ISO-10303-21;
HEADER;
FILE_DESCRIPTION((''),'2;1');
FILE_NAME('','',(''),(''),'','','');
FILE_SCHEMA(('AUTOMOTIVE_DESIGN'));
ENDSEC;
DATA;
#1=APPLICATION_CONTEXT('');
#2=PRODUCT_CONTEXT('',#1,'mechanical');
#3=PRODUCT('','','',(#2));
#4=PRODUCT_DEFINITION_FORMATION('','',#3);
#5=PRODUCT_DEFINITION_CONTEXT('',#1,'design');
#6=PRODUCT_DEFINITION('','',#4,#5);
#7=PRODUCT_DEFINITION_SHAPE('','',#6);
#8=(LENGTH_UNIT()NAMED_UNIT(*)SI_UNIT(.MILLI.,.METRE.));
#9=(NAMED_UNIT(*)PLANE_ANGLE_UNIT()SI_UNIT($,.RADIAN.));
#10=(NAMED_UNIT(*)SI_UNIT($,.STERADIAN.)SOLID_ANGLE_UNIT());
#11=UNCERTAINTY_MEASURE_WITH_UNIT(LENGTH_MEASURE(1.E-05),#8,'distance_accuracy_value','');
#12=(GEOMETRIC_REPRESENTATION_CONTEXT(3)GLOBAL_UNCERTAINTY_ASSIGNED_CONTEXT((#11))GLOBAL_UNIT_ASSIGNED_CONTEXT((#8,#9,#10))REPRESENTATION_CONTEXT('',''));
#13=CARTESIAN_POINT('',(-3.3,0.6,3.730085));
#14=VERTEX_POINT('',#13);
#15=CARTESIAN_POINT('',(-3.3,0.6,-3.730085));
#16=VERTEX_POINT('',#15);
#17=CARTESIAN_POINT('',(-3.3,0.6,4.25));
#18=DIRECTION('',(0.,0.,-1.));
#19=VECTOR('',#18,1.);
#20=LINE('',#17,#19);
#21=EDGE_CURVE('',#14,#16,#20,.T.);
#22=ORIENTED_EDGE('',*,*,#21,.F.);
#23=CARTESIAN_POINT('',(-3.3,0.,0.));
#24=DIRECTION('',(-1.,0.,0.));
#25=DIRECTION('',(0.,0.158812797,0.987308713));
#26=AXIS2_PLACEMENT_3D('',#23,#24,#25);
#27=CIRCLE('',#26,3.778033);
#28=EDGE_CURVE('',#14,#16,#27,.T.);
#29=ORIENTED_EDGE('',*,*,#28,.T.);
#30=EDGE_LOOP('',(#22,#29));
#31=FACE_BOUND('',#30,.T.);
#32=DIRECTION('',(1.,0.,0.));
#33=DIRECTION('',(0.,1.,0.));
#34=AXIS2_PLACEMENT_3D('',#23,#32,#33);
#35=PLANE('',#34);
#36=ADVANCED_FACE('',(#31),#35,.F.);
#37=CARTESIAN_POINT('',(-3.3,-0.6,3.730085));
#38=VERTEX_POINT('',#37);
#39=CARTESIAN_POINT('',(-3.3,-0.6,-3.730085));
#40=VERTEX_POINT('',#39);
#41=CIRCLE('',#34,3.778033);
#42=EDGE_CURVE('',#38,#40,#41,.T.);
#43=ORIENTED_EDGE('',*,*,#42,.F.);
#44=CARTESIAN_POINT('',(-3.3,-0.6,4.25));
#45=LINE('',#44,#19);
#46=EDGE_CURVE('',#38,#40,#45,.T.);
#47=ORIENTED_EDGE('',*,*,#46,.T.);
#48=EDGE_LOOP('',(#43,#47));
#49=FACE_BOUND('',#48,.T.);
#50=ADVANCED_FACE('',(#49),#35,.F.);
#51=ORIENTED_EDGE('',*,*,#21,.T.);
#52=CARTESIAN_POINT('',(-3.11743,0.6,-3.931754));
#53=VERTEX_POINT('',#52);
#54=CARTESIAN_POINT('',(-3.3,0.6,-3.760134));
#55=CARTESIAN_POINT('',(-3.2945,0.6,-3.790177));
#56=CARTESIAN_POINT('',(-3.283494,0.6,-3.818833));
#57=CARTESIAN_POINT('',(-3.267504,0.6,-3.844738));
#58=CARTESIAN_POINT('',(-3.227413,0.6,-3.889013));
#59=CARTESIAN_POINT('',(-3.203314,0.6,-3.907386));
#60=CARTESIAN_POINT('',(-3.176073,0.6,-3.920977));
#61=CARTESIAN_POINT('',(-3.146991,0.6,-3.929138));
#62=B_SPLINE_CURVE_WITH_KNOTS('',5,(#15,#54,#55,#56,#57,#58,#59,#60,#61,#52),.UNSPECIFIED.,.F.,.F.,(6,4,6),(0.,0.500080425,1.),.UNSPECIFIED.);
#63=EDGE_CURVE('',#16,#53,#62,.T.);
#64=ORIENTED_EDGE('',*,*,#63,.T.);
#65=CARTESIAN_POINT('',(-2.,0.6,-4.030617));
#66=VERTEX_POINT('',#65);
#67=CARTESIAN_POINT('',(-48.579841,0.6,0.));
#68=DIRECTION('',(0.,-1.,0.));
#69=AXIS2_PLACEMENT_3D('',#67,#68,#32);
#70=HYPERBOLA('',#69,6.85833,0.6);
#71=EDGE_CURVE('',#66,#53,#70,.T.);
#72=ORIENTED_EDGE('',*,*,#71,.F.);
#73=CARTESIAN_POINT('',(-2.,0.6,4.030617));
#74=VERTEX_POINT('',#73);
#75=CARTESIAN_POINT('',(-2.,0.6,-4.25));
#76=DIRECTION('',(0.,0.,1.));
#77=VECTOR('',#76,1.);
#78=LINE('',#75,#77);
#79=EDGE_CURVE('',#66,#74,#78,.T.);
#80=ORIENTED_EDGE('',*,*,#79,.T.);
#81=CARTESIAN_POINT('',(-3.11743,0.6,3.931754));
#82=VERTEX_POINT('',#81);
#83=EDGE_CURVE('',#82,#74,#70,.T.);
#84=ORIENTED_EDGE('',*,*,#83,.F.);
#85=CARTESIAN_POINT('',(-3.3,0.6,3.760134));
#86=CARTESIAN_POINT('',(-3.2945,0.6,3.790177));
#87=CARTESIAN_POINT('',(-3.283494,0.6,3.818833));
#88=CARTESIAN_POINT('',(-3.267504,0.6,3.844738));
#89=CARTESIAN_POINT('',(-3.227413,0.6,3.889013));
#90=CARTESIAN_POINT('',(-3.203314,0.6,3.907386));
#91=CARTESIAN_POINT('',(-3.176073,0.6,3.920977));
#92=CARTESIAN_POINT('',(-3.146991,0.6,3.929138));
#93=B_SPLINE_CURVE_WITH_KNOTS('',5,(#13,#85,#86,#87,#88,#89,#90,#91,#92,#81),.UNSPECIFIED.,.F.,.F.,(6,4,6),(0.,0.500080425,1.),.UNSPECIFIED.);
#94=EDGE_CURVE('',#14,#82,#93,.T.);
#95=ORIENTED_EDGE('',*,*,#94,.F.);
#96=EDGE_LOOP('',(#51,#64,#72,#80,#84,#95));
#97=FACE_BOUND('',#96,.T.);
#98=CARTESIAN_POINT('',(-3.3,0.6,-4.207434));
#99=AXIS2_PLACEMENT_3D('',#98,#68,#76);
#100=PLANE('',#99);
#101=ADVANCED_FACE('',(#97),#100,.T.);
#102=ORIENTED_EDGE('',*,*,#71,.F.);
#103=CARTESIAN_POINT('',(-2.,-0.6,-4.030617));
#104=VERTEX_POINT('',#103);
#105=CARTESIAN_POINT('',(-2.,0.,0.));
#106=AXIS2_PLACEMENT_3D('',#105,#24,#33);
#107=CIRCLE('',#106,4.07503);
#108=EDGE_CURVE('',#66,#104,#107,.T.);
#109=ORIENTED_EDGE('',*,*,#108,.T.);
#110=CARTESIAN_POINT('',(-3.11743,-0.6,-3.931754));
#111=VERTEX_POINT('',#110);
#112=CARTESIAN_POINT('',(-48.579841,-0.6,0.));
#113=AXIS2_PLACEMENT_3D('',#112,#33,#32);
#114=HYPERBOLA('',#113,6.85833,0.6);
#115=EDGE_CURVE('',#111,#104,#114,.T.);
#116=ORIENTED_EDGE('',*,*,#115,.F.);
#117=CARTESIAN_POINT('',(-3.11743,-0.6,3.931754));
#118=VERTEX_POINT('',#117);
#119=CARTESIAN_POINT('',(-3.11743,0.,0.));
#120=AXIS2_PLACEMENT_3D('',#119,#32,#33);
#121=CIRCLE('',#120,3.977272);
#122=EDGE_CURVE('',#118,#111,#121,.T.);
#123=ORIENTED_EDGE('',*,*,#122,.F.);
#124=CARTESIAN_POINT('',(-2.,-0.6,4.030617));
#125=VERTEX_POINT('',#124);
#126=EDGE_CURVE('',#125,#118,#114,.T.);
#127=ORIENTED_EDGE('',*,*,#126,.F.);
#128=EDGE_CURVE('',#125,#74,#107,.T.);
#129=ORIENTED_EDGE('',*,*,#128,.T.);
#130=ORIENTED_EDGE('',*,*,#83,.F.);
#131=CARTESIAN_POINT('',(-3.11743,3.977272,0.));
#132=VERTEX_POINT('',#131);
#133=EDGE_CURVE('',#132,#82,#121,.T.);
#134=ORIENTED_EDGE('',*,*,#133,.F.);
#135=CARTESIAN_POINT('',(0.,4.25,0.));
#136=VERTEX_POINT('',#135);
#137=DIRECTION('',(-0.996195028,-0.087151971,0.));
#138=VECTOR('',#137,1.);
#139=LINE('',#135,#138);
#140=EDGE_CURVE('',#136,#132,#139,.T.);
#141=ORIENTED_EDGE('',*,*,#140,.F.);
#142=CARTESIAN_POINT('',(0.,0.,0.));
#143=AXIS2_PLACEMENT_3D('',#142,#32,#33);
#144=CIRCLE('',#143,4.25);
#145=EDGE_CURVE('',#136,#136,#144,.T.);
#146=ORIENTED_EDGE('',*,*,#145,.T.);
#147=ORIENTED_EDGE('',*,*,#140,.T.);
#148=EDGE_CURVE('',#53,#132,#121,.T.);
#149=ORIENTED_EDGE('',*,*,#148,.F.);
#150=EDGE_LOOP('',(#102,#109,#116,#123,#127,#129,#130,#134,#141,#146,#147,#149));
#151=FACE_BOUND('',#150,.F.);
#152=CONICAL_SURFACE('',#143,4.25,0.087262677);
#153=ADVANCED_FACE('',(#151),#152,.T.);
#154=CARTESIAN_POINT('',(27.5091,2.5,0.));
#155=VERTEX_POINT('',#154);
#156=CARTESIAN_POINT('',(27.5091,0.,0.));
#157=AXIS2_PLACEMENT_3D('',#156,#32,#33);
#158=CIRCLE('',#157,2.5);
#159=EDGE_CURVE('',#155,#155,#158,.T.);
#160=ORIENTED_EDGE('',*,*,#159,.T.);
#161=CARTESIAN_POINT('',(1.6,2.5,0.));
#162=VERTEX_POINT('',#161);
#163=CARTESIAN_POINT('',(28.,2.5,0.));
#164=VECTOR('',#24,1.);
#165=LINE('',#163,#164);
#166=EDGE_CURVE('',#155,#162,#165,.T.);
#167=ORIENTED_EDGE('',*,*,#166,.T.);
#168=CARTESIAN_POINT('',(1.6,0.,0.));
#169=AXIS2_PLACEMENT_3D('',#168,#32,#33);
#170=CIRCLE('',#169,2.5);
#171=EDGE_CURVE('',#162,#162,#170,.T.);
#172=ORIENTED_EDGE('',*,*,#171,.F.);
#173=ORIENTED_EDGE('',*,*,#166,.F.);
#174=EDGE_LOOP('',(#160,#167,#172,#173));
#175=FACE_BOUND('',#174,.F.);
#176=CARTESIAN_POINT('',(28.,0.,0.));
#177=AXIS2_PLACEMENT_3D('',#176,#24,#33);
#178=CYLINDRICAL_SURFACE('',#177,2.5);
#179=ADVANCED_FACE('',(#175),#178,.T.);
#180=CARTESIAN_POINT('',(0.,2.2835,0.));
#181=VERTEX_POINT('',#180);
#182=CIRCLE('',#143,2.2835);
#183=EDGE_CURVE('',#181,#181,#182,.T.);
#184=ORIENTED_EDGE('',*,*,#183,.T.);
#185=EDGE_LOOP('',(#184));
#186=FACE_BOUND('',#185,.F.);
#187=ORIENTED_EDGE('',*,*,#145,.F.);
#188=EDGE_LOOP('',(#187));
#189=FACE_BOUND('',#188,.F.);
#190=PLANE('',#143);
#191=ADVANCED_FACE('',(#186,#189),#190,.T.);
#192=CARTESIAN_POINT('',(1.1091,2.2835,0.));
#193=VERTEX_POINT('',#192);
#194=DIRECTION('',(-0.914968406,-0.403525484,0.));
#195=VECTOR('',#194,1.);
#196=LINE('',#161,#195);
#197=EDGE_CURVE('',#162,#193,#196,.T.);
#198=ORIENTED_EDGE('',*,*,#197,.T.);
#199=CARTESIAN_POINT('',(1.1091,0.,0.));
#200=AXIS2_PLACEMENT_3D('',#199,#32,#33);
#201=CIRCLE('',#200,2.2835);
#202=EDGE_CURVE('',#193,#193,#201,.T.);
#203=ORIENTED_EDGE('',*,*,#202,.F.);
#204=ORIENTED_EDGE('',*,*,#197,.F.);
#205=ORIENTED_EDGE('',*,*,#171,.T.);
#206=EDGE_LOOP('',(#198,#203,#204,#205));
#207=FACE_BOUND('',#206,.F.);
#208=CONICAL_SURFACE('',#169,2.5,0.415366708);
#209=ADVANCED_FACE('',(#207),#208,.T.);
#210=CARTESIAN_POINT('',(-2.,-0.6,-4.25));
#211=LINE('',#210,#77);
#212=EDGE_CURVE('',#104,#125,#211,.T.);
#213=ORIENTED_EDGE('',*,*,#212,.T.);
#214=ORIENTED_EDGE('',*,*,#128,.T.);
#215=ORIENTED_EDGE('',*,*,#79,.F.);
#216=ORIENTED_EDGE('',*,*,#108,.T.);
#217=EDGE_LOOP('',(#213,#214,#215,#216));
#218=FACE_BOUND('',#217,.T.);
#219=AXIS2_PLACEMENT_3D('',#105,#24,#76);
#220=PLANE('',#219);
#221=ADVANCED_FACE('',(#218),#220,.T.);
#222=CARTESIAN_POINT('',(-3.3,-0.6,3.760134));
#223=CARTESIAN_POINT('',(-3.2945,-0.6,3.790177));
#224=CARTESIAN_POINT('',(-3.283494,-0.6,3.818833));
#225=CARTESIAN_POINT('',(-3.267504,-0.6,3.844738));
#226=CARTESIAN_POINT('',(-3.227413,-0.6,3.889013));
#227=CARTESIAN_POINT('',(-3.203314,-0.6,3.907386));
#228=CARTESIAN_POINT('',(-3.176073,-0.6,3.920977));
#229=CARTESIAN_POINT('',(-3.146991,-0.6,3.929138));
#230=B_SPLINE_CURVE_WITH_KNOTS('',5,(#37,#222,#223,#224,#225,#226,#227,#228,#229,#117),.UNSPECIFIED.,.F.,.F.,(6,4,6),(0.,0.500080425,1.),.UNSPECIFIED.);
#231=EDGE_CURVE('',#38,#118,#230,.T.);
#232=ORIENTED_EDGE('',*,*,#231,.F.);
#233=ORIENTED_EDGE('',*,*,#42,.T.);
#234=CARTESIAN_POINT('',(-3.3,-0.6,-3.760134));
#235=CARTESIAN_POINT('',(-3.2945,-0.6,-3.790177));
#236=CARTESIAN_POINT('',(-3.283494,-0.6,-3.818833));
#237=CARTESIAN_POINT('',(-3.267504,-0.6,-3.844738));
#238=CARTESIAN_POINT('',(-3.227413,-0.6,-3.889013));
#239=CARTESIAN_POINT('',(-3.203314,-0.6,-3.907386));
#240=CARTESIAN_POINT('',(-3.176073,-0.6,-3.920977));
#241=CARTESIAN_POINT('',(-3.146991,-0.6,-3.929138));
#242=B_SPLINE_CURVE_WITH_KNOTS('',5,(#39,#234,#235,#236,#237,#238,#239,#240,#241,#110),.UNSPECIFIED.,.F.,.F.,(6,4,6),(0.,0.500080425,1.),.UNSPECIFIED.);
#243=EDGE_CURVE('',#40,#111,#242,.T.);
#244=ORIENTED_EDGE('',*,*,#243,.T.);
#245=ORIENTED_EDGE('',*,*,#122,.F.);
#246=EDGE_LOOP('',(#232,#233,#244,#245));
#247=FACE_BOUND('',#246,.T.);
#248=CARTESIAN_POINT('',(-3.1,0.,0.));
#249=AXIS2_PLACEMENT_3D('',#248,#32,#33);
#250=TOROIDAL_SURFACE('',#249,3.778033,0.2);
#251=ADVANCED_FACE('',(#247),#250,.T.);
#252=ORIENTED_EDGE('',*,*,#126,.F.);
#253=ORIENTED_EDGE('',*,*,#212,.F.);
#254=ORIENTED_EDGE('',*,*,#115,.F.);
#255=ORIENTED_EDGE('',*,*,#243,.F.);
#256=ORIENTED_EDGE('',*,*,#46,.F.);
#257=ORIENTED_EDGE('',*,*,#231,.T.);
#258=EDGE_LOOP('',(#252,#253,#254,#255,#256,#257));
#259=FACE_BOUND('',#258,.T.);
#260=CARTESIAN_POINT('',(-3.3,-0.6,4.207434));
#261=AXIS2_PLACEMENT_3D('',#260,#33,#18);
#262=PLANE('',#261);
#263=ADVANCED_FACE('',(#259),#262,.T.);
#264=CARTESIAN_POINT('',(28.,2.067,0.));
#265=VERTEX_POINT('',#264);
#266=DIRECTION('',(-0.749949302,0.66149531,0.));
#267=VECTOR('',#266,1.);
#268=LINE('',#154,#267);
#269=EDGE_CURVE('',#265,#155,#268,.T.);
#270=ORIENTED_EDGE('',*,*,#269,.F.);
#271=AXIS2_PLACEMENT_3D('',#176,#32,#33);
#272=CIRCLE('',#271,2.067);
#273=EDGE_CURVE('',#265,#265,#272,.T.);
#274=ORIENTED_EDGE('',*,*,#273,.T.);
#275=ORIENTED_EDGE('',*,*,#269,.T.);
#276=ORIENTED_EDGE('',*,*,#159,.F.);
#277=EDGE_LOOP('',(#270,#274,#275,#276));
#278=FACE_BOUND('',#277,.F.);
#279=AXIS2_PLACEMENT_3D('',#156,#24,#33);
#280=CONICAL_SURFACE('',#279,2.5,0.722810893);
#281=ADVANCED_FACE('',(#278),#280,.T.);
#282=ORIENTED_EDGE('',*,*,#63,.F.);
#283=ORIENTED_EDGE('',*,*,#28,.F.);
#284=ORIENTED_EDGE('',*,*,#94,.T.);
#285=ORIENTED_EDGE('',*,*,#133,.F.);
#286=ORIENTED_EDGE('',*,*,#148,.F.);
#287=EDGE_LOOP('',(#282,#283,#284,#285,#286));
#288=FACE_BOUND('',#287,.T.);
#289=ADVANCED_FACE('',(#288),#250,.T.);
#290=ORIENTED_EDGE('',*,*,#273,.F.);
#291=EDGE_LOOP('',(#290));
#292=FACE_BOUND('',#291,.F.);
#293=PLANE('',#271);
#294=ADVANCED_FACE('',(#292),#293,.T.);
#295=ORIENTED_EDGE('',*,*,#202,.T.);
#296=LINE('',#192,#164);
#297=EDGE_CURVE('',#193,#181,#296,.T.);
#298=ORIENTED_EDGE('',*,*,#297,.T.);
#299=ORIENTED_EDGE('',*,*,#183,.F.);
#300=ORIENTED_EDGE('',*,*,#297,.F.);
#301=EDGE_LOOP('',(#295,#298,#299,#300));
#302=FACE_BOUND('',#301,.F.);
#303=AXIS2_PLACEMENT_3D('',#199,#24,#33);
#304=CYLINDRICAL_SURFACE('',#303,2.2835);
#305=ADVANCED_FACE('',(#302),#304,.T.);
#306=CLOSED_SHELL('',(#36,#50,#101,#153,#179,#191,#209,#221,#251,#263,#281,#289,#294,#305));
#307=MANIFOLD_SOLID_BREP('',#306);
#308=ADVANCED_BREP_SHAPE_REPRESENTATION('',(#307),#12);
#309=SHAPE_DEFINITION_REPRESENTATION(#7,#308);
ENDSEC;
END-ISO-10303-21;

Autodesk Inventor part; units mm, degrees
ref_plane "YZ Plane" through (0, 0, 0) normal (1, 0, 0) x (0, 1, 0)
ref_plane "XZ Plane" through (0, 0, 0) normal (0, 1, 0) x (-1, 0, 0)
sketch "Sketch1" plane through (0, 0, 0) normal (0, 0, 1) x (1, 0, 0)
  line L0 (-3.3, 0) -> (28, 0)
  line L1 (28, 0) -> (28, 2.5)
  line L2 (28, 2.5) -> (1.6, 2.5)
  line L3 (1.6, 2.5) -> (1.1091, 2.2835)
  line L4 (1.1091, 2.2835) -> (0, 2.2835)
  line L5 (0, 2.2835) -> (0, 4.25)
  line L6 (-9.56, 0) -> (34.26, 0) projected
  line L7 (0, -0.85) -> (0, 5.1) projected
  line L8 (-3.3, 0) -> (-3.3, 3.9613)
  line L9 (0, 4.25) -> (-3.3, 3.9613)
  line L10 (1.6, 2.5) -> (0, 2.5) construction
  dimension "d0" = 28
  dimension "d1" = 26.4
  dimension "d2" = 0.4909
  dimension "d3" = 3.3
  dimension "d4" = 5
  dimension "d5" = 4.567
  dimension "d9" = 8.5
  dimension "d10" = 5
revolve "Body" add sketch "Sketch1" angle 360 about axis through (-3.3, 0, 0) along (1, 0, 0)
sketch "Sketch2" plane through (-3.3, 0, 0) normal (-1, 0, 0) x (0, 0, 1)
  circle A0 centre (0, 0) radius 4.25 projected
  line L0 (0, 0) -> (0, 3.9613) projected
  line L1 (-4.25, 0.6) -> (4.25, 0.6)
  line L2 (4.25, 0.6) -> (4.25, -0.6)
  line L3 (4.25, -0.6) -> (-4.25, -0.6)
  line L4 (-4.25, -0.6) -> (-4.25, 0.6)
  line L5 (-4.25, 0) -> (4.25, 0) construction
  line L6 (0, 0.6) -> (0, -0.6) construction
  dimension "d11" = 1.2
  dimension "d12" = 8.5
fillet "Fillet1" radius 0.2 1 edges at (-3.3, -3.9613, 0)
extrude "Slot" cut sketch "Sketch2" against normal blind 1.3 contours A0 L3 L1 | L2 L3 A0 | A0 L1 L2 | A0 L4 L1 | L3 L4 A0
thread "Thread" size "M5x0.8" class "6g" standard "ISO Metric profile" length 26.4
chamfer "Chamfer1" distance 0.433 distance2 0.4909 1 edges at (28, -2.5, 0) measured on face at (28, 0.852, -0.5526)
ref_plane "Work Plane1" through (30.1625, 0, 0) normal (0, 0, -1) x (1, 0, 0)
equation "\"d11\" = SBR"
equation "\"d12\" = KOD"
equation "\"d14\" = RR"
equation "\"d19\" = STI"
equation "\"d15\" = GEL"
equation "\"d17\" = -0.5 * SPD + 0.5 * GD"
equation "\"d0\" = NLG"
equation "\"d1\" = GEL"
equation "\"d3\" = KOH"
equation "\"d4\" = GD"
equation "\"d5\" = BDM"
equation "\"d9\" = KOD"
equation "\"d10\" = KEWI"
equation "\"GD\" = 5"
equation "\"NLG\" = 28"
equation "\"GEL\" = 26.4"
equation "\"KOD\" = 8.5"
equation "\"KOH\" = 3.3"
equation "\"GAL\" = 0.61345 * PTC"
equation "\"SPD\" = 4.13397"
equation "\"BDM\" = 4.56699"
equation "\"GUL\" = 0.61345 * PTC"
equation "\"RR\" = 0.2"
equation "\"SBR\" = 1.2"
equation "\"STI\" = 1.3"
equation "\"KEWI\" = 5deg"
equation "\"PTC\" = 0.8"
equation "\"THREADDIA\" = 5"
equation "\"TOA\" = 30deg"
equation "\"NND\" = 5"
equation "\"GD1\" = THREADDIA - 1.2269 * PTC"
properties part number "DIN 84 - M5 x 28" material "Steel, Mild"
